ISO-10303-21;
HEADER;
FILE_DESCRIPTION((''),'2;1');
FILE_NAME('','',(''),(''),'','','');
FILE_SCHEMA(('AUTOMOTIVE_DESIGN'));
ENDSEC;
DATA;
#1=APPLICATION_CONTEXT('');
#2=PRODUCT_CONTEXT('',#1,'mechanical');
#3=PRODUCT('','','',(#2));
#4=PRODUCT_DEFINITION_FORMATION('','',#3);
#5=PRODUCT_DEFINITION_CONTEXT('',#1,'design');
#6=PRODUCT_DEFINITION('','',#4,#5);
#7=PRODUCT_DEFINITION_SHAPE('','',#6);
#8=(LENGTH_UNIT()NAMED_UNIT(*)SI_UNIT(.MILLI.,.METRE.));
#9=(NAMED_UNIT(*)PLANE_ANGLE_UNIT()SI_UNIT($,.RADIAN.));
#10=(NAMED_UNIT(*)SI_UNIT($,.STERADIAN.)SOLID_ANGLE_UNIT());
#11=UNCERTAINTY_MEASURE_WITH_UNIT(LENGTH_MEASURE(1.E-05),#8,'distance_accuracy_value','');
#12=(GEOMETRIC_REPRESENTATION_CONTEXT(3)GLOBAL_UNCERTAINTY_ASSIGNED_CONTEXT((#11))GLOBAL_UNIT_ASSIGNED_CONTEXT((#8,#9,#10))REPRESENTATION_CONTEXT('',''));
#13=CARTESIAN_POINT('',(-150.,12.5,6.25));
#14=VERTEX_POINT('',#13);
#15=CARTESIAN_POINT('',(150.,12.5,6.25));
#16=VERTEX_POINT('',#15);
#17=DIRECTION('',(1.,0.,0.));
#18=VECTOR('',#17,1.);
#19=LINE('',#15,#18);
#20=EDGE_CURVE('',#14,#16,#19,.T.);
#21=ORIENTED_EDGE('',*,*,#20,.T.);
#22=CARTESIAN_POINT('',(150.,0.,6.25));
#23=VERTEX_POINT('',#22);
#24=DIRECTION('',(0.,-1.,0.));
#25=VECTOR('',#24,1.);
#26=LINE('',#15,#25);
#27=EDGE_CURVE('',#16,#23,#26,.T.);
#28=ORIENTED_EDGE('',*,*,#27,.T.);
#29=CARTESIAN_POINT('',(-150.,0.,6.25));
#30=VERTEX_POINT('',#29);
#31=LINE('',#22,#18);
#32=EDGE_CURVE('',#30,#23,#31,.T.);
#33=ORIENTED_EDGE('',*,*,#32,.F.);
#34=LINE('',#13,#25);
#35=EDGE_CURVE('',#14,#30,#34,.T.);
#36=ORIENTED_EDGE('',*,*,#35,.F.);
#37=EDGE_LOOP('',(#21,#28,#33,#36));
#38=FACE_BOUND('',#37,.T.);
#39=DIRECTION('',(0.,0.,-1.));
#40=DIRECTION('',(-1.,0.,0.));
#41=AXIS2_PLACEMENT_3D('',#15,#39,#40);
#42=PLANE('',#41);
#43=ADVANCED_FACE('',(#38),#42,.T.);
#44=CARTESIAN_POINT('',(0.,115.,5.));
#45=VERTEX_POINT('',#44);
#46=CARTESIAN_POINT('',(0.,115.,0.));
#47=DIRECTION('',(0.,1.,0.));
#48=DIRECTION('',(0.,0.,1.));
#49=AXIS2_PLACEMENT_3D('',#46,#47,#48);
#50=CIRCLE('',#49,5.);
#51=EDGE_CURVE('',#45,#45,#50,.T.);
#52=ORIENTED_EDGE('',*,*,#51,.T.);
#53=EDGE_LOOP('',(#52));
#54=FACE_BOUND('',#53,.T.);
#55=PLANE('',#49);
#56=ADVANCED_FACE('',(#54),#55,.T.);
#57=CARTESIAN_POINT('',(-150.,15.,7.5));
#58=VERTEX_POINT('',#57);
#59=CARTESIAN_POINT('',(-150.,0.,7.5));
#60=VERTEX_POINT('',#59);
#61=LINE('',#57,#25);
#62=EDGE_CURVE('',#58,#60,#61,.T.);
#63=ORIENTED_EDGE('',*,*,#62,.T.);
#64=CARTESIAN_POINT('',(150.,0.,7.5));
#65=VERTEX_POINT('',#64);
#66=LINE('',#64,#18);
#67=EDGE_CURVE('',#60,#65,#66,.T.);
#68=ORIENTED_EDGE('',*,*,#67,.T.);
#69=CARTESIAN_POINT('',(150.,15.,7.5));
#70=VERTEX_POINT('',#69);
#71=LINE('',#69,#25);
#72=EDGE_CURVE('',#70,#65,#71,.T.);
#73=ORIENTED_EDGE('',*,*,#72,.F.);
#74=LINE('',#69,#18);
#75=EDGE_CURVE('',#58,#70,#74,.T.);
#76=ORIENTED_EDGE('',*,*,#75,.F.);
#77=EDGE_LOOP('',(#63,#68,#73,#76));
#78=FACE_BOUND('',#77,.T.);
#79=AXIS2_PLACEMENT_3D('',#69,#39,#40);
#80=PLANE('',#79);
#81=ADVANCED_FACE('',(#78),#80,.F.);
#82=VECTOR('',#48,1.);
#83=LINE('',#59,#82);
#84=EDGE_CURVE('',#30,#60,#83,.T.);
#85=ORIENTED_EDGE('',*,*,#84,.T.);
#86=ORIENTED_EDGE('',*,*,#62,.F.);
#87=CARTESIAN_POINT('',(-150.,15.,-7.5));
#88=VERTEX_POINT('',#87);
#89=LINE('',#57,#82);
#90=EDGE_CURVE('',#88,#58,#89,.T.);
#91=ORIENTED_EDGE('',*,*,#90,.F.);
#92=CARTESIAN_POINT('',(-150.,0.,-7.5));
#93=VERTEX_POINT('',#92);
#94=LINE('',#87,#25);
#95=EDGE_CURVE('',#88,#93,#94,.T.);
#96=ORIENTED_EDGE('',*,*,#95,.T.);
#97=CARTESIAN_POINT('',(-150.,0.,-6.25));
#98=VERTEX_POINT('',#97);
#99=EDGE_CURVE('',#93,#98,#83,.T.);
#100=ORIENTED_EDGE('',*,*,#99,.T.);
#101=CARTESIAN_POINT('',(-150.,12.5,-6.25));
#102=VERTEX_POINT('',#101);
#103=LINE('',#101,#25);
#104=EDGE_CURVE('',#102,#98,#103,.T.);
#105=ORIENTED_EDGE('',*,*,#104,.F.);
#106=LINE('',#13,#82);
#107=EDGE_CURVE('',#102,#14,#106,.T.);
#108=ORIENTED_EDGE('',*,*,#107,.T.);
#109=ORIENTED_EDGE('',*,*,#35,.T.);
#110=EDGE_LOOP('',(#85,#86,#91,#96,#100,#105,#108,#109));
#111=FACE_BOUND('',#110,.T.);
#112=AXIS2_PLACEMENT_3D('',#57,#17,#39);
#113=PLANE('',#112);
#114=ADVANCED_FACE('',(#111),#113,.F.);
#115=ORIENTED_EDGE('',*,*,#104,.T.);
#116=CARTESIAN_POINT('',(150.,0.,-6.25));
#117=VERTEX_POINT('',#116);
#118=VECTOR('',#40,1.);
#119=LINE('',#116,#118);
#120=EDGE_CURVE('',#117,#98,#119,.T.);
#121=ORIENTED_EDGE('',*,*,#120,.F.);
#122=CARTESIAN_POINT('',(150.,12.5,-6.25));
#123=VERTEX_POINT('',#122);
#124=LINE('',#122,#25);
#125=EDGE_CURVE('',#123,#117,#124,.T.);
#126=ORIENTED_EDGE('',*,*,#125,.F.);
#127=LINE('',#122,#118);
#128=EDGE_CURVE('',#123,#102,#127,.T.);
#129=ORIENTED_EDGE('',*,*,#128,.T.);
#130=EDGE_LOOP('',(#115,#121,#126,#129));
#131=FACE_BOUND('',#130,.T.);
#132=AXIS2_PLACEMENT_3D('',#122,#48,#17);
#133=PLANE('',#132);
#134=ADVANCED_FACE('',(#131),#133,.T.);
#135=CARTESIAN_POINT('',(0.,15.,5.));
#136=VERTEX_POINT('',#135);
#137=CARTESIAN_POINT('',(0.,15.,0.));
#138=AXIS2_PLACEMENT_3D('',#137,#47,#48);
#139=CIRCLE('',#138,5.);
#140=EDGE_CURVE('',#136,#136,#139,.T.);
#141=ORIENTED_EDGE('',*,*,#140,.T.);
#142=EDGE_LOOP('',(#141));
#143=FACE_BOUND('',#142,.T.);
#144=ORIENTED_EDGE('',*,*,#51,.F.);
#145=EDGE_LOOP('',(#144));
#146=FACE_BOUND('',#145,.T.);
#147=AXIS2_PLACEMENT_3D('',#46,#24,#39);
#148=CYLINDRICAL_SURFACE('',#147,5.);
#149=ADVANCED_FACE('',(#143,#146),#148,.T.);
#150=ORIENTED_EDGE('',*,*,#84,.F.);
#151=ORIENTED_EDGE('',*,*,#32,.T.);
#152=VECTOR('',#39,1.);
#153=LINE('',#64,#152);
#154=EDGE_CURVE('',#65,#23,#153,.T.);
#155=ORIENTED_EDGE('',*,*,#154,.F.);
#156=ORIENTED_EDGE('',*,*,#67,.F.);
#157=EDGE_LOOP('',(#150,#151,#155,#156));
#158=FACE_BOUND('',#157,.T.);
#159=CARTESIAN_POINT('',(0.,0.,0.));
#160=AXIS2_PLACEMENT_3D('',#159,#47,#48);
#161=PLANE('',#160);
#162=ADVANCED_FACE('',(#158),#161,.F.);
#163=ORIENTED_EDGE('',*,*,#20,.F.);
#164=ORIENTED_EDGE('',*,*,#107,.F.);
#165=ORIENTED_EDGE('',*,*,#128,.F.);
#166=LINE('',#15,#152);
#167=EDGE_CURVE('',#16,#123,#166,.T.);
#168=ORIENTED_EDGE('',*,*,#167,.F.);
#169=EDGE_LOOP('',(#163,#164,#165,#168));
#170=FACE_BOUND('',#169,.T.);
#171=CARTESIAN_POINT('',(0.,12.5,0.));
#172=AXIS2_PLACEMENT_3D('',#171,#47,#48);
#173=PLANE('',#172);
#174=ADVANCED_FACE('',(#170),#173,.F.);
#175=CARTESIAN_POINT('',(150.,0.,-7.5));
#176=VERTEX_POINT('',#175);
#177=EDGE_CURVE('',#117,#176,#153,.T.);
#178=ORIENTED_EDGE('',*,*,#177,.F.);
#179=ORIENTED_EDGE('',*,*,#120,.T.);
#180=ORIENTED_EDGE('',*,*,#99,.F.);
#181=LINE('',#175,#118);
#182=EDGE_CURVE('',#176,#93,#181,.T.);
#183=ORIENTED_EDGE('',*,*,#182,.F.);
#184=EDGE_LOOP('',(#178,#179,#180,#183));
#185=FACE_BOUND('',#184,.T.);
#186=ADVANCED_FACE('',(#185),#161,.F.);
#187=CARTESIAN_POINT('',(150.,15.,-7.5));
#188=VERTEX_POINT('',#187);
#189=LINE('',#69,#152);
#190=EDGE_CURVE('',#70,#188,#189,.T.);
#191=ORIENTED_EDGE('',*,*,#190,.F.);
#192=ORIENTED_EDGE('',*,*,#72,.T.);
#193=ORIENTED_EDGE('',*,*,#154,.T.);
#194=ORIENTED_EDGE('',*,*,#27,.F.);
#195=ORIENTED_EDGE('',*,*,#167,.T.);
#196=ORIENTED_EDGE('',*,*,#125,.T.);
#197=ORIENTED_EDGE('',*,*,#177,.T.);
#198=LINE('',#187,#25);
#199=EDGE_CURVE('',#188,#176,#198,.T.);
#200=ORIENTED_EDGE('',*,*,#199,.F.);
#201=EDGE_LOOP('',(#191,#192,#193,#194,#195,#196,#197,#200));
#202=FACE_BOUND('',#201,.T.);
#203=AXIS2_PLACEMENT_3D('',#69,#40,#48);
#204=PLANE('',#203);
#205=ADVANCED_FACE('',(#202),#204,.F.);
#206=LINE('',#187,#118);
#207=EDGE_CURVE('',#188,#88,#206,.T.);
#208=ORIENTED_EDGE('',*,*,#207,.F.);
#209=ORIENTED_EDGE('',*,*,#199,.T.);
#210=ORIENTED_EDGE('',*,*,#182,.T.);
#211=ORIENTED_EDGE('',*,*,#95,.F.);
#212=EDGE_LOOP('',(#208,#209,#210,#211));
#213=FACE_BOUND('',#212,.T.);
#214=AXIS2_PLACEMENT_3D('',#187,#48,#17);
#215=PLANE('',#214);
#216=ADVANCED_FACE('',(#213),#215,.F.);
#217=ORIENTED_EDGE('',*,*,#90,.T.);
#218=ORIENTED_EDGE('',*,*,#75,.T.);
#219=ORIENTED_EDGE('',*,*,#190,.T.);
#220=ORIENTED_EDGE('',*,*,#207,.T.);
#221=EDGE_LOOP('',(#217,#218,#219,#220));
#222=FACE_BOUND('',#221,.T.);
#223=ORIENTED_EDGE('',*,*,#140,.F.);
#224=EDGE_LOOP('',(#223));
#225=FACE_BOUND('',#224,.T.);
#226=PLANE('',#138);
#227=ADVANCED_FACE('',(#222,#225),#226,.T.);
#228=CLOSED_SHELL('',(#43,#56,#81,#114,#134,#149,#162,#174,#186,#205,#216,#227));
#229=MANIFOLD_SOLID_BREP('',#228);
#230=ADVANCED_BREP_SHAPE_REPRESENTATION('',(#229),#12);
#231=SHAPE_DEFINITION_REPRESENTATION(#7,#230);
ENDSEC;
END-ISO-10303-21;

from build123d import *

# Parameters (mm, degrees)
SKETCH1_W           = 300
SKETCH1_H           = 15
BOSS_EXTRUDE1_DEPTH = 15
SKETCH2_W           = 300
SKETCH2_H           = 12.5
CUT_EXTRUDE2_DEPTH  = 12.5
SKETCH3_R           = 5
BOSS_EXTRUDE2_DEPTH = 100


with BuildPart() as part:
    # Sketch1 → Boss-Extrude1 (new body)
    with BuildSketch(Plane(origin=(0, 0, 0), x_dir=(1, 0, 0), z_dir=(0, 1, 0))):
        Rectangle(SKETCH1_W, SKETCH1_H)
    extrude(amount=BOSS_EXTRUDE1_DEPTH)

    # Sketch2 → Cut-Extrude2 (cut)
    with BuildSketch(Plane(origin=(0, 0, 0), x_dir=(1, 0, 0), z_dir=(0, 1, 0))):
        Rectangle(SKETCH2_W, SKETCH2_H)
    extrude(amount=CUT_EXTRUDE2_DEPTH, mode=Mode.SUBTRACT)

    # Sketch3 → Boss-Extrude2 (add)
    with BuildSketch(Plane(origin=(0, 15, 0), x_dir=(1, 0, 0), z_dir=(0, 1, 0))):
        Circle(SKETCH3_R)
    extrude(amount=BOSS_EXTRUDE2_DEPTH)


solid = part.part
